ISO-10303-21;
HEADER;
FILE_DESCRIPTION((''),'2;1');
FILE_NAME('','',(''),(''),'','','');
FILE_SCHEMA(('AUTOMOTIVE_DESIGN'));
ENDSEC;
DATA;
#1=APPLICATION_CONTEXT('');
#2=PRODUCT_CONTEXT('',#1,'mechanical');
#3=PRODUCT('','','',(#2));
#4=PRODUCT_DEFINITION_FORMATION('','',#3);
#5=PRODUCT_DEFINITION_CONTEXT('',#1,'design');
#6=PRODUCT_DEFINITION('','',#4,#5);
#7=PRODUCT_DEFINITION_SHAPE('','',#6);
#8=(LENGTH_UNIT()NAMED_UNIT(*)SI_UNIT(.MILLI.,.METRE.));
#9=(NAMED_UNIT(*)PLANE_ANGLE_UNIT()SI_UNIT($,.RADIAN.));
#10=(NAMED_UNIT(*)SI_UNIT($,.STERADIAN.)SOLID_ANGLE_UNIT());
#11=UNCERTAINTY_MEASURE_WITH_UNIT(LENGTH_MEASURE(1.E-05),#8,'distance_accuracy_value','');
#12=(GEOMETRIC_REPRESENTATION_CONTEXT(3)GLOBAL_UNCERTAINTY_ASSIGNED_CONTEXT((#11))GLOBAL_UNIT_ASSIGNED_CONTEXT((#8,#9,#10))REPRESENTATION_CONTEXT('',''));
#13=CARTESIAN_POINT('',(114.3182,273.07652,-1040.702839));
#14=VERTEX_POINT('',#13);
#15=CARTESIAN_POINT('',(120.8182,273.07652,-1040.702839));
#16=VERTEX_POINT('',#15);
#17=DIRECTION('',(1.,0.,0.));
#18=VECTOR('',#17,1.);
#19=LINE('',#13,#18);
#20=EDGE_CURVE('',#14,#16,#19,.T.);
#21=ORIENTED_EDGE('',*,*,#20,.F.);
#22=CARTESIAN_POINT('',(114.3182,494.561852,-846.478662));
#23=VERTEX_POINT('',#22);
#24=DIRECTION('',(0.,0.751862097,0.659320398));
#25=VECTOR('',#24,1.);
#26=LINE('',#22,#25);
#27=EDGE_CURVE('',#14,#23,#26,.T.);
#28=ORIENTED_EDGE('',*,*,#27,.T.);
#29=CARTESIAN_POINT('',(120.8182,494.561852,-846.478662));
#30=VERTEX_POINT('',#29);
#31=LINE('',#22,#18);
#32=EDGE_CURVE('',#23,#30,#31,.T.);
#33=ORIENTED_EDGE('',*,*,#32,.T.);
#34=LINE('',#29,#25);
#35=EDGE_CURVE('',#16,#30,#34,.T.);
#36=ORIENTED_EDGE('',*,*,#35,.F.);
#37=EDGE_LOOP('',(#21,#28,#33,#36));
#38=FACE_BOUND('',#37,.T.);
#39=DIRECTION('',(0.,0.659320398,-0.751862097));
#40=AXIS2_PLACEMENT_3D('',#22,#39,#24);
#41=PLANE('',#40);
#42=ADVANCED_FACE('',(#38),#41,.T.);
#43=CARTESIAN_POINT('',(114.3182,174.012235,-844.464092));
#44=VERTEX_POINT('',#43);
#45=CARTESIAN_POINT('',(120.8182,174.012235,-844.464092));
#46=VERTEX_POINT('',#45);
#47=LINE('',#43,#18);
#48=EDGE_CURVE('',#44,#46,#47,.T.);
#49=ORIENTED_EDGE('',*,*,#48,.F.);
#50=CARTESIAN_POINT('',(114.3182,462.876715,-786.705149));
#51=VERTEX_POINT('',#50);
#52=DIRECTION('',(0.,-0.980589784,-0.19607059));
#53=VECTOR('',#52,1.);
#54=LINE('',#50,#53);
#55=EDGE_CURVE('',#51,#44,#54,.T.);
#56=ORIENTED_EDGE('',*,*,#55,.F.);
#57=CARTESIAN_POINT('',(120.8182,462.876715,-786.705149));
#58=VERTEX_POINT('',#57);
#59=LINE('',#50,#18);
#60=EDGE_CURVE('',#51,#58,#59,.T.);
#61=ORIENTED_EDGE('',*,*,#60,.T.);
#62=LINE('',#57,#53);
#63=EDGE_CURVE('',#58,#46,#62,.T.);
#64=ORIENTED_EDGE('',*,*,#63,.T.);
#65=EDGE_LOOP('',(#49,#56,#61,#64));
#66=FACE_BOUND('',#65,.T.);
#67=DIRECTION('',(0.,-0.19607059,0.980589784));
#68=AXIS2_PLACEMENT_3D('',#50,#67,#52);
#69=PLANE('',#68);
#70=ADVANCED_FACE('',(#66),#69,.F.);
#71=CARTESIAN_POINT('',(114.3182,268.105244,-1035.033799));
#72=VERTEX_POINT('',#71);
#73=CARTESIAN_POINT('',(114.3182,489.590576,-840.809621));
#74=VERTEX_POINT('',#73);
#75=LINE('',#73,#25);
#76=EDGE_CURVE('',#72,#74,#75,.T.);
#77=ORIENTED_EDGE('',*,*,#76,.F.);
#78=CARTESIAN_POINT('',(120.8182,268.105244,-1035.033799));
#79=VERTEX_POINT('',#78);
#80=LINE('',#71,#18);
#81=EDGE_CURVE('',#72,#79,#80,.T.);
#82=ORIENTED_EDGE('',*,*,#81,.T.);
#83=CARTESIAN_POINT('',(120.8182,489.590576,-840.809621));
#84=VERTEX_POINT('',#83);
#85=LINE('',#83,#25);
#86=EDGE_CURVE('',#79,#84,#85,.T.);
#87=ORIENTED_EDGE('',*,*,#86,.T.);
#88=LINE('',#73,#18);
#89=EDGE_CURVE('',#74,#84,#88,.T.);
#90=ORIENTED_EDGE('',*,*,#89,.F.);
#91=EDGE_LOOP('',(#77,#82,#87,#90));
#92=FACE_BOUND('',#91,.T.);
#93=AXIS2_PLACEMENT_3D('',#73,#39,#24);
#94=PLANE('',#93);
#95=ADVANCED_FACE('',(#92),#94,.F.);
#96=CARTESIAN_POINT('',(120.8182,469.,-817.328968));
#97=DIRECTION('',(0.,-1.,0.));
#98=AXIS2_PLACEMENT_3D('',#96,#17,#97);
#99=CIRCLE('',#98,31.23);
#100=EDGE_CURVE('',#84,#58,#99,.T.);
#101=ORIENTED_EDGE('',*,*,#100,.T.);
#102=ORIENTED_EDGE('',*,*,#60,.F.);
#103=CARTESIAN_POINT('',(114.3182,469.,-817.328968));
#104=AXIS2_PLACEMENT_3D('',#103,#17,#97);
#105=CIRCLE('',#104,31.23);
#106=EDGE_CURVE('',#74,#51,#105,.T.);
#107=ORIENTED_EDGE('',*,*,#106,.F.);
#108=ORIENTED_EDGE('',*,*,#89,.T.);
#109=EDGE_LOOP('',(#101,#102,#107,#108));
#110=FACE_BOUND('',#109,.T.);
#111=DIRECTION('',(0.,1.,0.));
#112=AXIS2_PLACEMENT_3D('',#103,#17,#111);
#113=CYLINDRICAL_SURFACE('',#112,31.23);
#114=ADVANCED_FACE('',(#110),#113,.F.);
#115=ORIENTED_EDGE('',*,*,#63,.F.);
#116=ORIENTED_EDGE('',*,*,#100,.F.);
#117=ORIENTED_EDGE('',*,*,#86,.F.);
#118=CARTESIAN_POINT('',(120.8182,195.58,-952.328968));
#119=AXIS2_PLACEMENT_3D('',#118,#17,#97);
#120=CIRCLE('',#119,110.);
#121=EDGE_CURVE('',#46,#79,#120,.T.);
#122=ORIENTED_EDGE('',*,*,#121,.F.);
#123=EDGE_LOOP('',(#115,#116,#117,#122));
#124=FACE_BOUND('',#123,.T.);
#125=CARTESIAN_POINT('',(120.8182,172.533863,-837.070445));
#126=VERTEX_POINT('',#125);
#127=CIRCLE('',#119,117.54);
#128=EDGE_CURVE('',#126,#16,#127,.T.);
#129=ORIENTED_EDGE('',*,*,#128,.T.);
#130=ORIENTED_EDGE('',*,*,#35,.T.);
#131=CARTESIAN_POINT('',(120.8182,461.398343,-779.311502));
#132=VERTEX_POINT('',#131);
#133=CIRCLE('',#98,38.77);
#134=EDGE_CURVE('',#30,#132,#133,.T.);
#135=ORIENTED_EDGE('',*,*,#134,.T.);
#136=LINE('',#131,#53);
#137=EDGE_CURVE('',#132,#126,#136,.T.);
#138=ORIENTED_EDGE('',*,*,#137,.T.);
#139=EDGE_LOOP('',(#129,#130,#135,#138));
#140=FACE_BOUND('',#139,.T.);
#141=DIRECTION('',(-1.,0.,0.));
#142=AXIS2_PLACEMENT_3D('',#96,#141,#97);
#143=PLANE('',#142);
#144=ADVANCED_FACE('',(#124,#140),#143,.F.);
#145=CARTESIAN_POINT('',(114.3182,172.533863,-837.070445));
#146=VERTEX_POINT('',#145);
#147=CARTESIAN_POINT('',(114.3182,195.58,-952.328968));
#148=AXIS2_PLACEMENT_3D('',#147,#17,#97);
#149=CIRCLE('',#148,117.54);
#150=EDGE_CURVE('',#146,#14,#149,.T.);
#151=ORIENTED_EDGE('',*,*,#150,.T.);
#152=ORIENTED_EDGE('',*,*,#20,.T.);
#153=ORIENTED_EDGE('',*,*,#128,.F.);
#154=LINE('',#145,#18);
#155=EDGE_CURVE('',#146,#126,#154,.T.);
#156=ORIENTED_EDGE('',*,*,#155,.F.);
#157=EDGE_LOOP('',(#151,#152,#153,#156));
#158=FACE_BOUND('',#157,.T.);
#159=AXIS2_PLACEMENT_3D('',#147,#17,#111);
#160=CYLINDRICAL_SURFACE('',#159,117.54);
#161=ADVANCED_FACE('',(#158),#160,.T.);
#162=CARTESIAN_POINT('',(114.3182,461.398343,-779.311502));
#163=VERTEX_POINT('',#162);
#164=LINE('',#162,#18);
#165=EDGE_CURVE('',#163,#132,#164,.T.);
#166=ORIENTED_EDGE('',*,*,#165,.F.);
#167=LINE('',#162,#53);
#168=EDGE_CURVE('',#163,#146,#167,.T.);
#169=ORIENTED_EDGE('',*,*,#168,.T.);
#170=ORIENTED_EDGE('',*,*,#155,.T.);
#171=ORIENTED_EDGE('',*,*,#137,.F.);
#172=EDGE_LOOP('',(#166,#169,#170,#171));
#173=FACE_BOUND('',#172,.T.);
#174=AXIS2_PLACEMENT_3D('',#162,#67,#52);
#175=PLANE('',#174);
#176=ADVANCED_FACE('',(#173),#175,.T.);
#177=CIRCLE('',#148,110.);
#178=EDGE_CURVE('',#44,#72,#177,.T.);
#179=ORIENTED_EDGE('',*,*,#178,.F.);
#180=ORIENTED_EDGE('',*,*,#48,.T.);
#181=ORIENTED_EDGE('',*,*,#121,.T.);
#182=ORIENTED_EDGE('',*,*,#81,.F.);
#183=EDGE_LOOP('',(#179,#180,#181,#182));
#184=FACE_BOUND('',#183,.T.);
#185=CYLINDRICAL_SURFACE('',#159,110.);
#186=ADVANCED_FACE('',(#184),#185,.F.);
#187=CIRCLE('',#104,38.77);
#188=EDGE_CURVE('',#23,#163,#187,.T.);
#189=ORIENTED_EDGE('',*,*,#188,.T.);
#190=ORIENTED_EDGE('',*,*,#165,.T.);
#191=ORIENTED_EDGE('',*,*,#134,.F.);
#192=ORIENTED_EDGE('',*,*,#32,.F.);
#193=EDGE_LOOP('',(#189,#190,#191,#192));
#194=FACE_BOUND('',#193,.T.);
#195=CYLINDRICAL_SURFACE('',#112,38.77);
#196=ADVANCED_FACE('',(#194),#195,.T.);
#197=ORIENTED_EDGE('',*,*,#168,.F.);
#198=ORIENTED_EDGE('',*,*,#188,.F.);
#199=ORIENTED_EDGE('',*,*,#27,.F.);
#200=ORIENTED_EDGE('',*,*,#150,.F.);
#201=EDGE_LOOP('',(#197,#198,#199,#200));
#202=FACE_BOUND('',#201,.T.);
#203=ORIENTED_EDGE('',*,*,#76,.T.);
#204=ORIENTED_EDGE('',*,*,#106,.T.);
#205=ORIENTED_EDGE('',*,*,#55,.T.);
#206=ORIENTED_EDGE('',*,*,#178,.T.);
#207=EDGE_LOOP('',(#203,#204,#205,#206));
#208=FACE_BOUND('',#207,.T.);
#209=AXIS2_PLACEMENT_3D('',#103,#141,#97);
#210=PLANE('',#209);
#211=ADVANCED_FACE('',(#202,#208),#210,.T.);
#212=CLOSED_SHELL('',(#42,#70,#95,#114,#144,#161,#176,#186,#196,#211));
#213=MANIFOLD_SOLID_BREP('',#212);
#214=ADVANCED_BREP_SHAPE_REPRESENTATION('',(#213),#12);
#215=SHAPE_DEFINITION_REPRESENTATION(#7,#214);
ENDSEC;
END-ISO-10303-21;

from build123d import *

# Parameters (mm, degrees)
BOSS_EXTRUDE1_DEPTH = 6.5


with BuildPart() as part:
    # Sketch1 → Boss-Extrude1 (new body)
    with BuildSketch(Plane(origin=(120.8182, 0, 0), x_dir=(0, 0, -1), z_dir=(1, 0, 0))):
        with BuildLine():
            Line((846.478661638, 494.561851817), (1040.702839036, 273.07651954))
            ThreePointArc((1040.702839036, 273.07651954), (1004.366479469, 90.186693697), (837.070444967, 172.533862824))
            Line((837.070444967, 172.533862824), (779.311502219, 461.398343217))
            ThreePointArc((779.311502219, 461.398343217), (800.164646921, 503.763471885), (846.478661638, 494.561851817))
        make_face()
        with BuildLine():
            Line((840.809621425, 489.590576019), (1035.033798823, 268.105243742))
            ThreePointArc((1035.033798823, 268.105243742), (1001.028357677, 96.947503035), (844.464091935, 174.012235074))
            Line((844.464091935, 174.012235074), (786.705149187, 462.876715467))
            ThreePointArc((786.705149187, 462.876715467), (803.502768714, 497.002662547), (840.809621425, 489.590576019))
        make_face(mode=Mode.SUBTRACT)
    extrude(amount=-BOSS_EXTRUDE1_DEPTH)


solid = part.part
